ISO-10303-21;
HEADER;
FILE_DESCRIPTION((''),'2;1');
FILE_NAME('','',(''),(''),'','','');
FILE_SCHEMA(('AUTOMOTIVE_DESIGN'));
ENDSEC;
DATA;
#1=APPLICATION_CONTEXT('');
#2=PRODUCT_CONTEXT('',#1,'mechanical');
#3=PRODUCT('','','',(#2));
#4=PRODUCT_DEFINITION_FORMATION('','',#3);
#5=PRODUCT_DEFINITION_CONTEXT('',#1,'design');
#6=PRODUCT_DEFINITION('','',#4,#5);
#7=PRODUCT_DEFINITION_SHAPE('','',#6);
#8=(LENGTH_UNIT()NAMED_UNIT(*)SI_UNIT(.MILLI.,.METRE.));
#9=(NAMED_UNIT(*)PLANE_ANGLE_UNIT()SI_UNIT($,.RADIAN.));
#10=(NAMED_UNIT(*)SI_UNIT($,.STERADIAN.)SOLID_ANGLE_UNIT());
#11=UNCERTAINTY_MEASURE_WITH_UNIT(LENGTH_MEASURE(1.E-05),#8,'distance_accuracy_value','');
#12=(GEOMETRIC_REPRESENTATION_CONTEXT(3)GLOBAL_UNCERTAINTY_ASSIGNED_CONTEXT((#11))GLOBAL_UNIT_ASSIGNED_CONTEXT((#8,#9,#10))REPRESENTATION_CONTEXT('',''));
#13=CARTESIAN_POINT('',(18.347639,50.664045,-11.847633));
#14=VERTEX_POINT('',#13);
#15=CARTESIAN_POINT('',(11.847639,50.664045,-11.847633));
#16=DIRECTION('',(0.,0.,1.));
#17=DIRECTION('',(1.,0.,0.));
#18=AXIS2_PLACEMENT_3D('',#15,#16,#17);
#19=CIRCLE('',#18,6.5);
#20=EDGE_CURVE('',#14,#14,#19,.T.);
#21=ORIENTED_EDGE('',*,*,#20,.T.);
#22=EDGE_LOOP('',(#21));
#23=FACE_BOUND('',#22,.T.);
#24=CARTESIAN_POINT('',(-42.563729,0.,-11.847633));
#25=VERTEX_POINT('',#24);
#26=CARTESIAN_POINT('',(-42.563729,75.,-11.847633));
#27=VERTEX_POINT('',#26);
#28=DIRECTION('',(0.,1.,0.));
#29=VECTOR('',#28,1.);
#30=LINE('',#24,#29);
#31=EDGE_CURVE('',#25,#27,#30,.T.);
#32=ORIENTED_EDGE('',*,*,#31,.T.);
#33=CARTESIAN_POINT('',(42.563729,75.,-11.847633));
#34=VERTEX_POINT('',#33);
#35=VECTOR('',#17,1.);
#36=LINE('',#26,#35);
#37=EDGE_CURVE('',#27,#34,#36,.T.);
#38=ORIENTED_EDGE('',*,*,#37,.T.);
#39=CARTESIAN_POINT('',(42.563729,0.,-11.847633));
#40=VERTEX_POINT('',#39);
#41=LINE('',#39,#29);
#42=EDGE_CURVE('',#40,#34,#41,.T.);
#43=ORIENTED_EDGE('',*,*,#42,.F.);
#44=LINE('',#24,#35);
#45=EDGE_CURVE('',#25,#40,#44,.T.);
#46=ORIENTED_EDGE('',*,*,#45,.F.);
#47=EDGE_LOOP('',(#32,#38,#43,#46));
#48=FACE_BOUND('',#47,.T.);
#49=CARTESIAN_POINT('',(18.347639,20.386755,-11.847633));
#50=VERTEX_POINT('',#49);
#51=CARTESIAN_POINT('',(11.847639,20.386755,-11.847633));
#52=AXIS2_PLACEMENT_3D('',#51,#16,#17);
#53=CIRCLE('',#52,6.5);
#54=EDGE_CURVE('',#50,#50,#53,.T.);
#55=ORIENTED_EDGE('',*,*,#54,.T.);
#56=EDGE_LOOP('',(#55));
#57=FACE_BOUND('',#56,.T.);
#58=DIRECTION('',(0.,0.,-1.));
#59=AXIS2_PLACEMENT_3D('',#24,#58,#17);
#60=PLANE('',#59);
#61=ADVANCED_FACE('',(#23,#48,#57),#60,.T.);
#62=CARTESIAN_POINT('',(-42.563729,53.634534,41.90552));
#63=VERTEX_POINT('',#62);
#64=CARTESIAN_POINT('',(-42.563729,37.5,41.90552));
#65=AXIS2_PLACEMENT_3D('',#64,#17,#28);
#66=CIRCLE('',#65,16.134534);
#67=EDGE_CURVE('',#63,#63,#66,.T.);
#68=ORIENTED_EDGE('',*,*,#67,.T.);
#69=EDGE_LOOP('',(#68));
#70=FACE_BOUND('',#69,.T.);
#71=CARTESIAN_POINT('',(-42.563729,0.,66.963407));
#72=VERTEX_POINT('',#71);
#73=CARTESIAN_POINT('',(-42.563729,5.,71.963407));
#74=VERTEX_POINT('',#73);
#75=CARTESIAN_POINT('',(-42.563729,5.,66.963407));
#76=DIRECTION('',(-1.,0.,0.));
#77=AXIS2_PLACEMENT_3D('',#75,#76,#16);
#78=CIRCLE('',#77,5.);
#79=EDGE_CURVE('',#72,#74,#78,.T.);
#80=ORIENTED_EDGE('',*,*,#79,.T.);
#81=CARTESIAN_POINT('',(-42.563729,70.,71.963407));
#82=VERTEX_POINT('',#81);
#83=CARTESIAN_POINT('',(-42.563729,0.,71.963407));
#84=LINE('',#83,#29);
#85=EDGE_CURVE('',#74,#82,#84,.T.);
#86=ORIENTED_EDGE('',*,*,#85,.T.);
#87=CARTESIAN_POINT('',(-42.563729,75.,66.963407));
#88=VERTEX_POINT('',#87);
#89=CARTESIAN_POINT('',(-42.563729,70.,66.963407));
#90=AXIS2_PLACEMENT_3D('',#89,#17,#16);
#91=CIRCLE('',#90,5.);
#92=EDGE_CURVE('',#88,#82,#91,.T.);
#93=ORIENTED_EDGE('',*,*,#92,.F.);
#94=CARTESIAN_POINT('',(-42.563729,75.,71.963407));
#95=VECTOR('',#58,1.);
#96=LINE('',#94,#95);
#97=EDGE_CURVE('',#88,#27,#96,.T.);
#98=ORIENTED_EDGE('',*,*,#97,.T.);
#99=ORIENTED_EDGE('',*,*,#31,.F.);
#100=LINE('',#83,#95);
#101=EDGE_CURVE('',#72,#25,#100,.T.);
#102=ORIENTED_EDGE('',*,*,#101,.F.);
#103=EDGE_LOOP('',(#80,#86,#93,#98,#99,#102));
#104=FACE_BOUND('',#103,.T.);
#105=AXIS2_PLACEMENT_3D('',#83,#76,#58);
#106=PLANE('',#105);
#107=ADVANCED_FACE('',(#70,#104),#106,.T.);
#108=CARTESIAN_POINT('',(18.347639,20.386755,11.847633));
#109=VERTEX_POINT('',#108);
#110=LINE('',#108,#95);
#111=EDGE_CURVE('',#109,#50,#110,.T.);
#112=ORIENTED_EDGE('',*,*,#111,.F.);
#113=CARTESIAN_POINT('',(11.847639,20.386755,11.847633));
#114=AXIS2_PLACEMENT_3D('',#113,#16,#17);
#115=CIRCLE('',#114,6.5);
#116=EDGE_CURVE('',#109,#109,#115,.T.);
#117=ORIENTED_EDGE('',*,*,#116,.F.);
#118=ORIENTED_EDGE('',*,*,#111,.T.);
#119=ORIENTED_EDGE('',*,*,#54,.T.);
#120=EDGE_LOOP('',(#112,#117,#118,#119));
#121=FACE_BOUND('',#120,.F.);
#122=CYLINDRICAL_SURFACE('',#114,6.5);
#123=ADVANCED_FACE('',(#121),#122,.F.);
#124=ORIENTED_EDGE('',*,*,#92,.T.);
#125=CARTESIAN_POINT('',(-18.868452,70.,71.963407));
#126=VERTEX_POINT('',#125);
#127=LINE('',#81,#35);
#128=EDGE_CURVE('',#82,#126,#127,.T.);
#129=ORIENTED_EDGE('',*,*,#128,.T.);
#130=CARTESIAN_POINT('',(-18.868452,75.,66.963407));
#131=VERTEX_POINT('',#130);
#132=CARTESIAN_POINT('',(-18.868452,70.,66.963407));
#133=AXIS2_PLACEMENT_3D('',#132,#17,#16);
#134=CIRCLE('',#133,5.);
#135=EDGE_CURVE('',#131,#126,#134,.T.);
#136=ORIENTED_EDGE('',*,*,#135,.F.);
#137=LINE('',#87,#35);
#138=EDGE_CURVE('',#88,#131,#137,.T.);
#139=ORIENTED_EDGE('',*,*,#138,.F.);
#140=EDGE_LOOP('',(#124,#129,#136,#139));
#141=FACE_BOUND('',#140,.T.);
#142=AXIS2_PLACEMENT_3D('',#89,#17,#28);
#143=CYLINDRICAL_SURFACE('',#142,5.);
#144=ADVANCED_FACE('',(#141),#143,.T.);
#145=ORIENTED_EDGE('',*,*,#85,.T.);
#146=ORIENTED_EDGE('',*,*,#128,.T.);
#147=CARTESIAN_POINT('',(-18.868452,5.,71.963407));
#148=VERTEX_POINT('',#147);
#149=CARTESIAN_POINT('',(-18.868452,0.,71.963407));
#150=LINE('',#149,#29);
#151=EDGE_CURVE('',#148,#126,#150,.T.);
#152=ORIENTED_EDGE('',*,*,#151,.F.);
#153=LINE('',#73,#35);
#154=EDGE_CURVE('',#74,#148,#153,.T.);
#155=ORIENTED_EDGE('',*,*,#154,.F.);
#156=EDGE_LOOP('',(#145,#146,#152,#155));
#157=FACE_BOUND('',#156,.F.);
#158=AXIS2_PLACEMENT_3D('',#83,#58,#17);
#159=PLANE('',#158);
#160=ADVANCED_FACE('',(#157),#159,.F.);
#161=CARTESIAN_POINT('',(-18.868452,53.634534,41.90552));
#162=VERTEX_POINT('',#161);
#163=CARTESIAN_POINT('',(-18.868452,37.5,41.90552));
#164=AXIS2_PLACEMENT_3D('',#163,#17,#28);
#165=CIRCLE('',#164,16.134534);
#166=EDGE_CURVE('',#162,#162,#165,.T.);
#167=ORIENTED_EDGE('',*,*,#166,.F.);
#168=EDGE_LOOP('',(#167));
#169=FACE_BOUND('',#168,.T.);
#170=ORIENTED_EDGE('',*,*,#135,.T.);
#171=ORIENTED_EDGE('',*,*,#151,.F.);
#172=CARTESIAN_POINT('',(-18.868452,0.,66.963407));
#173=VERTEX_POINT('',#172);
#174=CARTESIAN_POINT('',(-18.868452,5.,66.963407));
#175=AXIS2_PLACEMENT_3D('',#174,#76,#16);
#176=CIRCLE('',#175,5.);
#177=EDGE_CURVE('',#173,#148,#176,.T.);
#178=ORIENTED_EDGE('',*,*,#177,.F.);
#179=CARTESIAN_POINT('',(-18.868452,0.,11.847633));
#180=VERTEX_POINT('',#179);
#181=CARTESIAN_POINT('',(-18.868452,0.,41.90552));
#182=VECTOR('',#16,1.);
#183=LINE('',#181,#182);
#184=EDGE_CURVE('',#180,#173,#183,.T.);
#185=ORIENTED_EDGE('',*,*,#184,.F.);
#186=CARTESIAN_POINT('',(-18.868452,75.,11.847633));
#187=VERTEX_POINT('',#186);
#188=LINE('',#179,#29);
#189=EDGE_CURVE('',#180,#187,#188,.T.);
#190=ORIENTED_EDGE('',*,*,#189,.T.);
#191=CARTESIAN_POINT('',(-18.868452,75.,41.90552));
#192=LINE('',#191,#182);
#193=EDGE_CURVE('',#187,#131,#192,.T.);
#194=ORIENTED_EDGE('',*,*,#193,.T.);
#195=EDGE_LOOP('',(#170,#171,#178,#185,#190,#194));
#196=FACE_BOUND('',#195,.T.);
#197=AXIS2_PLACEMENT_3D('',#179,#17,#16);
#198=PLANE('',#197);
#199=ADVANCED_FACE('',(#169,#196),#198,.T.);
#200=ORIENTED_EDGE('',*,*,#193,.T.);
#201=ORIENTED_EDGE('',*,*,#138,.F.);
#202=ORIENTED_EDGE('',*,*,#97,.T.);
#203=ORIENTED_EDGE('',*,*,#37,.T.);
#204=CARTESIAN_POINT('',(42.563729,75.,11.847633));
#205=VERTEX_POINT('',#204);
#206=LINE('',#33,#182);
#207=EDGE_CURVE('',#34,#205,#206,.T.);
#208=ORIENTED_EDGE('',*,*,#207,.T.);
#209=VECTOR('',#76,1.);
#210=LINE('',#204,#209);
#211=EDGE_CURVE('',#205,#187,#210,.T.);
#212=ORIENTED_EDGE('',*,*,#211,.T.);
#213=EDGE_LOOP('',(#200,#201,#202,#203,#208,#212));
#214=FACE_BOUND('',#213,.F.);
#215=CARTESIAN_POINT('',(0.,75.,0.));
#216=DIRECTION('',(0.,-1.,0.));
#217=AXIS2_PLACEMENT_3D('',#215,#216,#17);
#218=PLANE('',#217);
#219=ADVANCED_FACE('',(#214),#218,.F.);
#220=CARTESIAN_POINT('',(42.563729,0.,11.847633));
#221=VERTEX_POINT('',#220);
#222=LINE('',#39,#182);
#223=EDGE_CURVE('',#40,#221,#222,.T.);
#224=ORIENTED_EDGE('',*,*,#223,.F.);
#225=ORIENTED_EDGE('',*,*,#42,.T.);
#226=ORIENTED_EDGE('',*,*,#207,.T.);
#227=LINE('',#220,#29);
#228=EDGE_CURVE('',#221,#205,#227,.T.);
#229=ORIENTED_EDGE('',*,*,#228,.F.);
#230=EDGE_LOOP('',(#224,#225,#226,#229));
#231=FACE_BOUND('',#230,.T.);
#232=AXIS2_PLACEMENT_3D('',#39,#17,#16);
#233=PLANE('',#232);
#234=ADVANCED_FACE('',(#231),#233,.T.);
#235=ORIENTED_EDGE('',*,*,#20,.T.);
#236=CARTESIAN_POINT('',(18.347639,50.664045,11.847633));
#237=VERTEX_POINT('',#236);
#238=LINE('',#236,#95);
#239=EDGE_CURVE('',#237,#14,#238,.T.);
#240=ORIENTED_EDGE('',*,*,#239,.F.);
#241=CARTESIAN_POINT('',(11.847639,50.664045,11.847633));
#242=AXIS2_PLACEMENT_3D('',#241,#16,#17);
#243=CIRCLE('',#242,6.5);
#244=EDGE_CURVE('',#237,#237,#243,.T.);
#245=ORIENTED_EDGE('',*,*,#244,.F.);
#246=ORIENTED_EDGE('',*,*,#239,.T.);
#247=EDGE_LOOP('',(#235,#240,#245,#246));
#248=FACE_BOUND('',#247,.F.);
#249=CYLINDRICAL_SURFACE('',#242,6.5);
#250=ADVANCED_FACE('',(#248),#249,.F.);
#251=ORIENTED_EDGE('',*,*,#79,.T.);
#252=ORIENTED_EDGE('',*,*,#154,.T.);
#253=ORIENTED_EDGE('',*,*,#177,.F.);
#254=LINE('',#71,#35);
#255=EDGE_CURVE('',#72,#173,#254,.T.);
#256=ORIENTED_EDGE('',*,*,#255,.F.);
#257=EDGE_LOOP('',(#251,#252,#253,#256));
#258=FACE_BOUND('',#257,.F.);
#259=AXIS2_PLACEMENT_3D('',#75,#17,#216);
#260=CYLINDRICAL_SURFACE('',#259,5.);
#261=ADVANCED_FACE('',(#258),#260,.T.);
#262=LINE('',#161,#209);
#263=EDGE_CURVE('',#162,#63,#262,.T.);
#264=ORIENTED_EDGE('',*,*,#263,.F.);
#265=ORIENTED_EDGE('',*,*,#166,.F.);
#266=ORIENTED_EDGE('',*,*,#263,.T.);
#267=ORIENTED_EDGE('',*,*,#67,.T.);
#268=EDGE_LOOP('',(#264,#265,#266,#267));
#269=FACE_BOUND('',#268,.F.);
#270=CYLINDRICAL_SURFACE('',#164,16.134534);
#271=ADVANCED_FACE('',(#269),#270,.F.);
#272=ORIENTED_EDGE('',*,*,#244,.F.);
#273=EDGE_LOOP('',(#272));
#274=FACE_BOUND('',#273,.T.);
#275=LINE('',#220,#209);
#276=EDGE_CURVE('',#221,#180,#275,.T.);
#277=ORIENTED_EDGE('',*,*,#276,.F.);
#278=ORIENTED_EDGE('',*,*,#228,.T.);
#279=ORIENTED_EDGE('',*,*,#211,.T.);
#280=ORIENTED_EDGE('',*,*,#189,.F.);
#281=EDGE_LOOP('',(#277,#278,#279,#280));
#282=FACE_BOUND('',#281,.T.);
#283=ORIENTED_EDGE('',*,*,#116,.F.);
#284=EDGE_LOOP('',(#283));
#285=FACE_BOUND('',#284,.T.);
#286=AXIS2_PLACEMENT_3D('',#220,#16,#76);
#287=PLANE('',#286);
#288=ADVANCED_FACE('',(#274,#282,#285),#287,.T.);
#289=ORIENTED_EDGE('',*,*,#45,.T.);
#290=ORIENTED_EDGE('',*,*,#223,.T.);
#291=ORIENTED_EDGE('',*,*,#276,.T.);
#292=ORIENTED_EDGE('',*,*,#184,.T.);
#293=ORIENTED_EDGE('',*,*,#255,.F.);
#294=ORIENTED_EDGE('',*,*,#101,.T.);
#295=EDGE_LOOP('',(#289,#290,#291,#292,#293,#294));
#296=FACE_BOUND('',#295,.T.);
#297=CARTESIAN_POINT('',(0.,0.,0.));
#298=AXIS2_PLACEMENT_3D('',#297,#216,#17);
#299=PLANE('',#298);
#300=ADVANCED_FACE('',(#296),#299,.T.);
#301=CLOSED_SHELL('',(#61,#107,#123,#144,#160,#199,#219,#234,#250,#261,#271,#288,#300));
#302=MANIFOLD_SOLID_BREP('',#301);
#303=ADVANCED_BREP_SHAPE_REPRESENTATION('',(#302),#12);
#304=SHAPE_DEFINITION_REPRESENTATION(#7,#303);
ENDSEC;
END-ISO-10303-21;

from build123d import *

# Parameters (mm, degrees)
F0_W     = 23.6952770501
F0_H     = 60.1157741621
F1_DEPTH = 75
F2_R     = 16.1345340931
F3_DEPTH = 23.6962770501
F4_R     = 6.5
F5_DEPTH = 23.6962658743
F6_R     = 5


with BuildPart() as f1:
    # F0 (on Front) → F1 (new body)
    with BuildSketch(Plane.XZ):
        Polygon((-42.5637289882, -11.8476329371), (42.5637289882, -11.8476329371), (42.5637289882, 11.8476329371), (-18.868451938, 11.8476329371), (-42.5637289882, 11.8476329371), align=None)
        with Locations((-30.7160904631, 41.9055200182)):
            Rectangle(F0_W, F0_H)
    extrude(amount=-F1_DEPTH)

    # F2 (on face) → F3 (cut, through all)
    with BuildSketch(Plane.YZ.offset(-18.868451938)):
        with Locations((37.5, 41.9055200182)):
            Circle(F2_R)
    extrude(amount=-F3_DEPTH, mode=Mode.SUBTRACT)

    # F4 (on face) → F5 (cut, through all)
    with BuildSketch(Plane.XY.offset(11.8476329371)):
        with Locations((11.8476385251, 20.3867554665)):
            Circle(F4_R)
        with Locations((11.8476385251, 50.6640449166)):
            Circle(F4_R)
    extrude(amount=-F5_DEPTH, mode=Mode.SUBTRACT)

    # F6
    f6_edges = [f1.edges().sort_by_distance(p)[0] for p in [
        (-30.71609, 0, 71.963407),
        (-30.71609, 75, 71.963407),
    ]]
    fillet(f6_edges, radius=F6_R)


solid = f1.part
